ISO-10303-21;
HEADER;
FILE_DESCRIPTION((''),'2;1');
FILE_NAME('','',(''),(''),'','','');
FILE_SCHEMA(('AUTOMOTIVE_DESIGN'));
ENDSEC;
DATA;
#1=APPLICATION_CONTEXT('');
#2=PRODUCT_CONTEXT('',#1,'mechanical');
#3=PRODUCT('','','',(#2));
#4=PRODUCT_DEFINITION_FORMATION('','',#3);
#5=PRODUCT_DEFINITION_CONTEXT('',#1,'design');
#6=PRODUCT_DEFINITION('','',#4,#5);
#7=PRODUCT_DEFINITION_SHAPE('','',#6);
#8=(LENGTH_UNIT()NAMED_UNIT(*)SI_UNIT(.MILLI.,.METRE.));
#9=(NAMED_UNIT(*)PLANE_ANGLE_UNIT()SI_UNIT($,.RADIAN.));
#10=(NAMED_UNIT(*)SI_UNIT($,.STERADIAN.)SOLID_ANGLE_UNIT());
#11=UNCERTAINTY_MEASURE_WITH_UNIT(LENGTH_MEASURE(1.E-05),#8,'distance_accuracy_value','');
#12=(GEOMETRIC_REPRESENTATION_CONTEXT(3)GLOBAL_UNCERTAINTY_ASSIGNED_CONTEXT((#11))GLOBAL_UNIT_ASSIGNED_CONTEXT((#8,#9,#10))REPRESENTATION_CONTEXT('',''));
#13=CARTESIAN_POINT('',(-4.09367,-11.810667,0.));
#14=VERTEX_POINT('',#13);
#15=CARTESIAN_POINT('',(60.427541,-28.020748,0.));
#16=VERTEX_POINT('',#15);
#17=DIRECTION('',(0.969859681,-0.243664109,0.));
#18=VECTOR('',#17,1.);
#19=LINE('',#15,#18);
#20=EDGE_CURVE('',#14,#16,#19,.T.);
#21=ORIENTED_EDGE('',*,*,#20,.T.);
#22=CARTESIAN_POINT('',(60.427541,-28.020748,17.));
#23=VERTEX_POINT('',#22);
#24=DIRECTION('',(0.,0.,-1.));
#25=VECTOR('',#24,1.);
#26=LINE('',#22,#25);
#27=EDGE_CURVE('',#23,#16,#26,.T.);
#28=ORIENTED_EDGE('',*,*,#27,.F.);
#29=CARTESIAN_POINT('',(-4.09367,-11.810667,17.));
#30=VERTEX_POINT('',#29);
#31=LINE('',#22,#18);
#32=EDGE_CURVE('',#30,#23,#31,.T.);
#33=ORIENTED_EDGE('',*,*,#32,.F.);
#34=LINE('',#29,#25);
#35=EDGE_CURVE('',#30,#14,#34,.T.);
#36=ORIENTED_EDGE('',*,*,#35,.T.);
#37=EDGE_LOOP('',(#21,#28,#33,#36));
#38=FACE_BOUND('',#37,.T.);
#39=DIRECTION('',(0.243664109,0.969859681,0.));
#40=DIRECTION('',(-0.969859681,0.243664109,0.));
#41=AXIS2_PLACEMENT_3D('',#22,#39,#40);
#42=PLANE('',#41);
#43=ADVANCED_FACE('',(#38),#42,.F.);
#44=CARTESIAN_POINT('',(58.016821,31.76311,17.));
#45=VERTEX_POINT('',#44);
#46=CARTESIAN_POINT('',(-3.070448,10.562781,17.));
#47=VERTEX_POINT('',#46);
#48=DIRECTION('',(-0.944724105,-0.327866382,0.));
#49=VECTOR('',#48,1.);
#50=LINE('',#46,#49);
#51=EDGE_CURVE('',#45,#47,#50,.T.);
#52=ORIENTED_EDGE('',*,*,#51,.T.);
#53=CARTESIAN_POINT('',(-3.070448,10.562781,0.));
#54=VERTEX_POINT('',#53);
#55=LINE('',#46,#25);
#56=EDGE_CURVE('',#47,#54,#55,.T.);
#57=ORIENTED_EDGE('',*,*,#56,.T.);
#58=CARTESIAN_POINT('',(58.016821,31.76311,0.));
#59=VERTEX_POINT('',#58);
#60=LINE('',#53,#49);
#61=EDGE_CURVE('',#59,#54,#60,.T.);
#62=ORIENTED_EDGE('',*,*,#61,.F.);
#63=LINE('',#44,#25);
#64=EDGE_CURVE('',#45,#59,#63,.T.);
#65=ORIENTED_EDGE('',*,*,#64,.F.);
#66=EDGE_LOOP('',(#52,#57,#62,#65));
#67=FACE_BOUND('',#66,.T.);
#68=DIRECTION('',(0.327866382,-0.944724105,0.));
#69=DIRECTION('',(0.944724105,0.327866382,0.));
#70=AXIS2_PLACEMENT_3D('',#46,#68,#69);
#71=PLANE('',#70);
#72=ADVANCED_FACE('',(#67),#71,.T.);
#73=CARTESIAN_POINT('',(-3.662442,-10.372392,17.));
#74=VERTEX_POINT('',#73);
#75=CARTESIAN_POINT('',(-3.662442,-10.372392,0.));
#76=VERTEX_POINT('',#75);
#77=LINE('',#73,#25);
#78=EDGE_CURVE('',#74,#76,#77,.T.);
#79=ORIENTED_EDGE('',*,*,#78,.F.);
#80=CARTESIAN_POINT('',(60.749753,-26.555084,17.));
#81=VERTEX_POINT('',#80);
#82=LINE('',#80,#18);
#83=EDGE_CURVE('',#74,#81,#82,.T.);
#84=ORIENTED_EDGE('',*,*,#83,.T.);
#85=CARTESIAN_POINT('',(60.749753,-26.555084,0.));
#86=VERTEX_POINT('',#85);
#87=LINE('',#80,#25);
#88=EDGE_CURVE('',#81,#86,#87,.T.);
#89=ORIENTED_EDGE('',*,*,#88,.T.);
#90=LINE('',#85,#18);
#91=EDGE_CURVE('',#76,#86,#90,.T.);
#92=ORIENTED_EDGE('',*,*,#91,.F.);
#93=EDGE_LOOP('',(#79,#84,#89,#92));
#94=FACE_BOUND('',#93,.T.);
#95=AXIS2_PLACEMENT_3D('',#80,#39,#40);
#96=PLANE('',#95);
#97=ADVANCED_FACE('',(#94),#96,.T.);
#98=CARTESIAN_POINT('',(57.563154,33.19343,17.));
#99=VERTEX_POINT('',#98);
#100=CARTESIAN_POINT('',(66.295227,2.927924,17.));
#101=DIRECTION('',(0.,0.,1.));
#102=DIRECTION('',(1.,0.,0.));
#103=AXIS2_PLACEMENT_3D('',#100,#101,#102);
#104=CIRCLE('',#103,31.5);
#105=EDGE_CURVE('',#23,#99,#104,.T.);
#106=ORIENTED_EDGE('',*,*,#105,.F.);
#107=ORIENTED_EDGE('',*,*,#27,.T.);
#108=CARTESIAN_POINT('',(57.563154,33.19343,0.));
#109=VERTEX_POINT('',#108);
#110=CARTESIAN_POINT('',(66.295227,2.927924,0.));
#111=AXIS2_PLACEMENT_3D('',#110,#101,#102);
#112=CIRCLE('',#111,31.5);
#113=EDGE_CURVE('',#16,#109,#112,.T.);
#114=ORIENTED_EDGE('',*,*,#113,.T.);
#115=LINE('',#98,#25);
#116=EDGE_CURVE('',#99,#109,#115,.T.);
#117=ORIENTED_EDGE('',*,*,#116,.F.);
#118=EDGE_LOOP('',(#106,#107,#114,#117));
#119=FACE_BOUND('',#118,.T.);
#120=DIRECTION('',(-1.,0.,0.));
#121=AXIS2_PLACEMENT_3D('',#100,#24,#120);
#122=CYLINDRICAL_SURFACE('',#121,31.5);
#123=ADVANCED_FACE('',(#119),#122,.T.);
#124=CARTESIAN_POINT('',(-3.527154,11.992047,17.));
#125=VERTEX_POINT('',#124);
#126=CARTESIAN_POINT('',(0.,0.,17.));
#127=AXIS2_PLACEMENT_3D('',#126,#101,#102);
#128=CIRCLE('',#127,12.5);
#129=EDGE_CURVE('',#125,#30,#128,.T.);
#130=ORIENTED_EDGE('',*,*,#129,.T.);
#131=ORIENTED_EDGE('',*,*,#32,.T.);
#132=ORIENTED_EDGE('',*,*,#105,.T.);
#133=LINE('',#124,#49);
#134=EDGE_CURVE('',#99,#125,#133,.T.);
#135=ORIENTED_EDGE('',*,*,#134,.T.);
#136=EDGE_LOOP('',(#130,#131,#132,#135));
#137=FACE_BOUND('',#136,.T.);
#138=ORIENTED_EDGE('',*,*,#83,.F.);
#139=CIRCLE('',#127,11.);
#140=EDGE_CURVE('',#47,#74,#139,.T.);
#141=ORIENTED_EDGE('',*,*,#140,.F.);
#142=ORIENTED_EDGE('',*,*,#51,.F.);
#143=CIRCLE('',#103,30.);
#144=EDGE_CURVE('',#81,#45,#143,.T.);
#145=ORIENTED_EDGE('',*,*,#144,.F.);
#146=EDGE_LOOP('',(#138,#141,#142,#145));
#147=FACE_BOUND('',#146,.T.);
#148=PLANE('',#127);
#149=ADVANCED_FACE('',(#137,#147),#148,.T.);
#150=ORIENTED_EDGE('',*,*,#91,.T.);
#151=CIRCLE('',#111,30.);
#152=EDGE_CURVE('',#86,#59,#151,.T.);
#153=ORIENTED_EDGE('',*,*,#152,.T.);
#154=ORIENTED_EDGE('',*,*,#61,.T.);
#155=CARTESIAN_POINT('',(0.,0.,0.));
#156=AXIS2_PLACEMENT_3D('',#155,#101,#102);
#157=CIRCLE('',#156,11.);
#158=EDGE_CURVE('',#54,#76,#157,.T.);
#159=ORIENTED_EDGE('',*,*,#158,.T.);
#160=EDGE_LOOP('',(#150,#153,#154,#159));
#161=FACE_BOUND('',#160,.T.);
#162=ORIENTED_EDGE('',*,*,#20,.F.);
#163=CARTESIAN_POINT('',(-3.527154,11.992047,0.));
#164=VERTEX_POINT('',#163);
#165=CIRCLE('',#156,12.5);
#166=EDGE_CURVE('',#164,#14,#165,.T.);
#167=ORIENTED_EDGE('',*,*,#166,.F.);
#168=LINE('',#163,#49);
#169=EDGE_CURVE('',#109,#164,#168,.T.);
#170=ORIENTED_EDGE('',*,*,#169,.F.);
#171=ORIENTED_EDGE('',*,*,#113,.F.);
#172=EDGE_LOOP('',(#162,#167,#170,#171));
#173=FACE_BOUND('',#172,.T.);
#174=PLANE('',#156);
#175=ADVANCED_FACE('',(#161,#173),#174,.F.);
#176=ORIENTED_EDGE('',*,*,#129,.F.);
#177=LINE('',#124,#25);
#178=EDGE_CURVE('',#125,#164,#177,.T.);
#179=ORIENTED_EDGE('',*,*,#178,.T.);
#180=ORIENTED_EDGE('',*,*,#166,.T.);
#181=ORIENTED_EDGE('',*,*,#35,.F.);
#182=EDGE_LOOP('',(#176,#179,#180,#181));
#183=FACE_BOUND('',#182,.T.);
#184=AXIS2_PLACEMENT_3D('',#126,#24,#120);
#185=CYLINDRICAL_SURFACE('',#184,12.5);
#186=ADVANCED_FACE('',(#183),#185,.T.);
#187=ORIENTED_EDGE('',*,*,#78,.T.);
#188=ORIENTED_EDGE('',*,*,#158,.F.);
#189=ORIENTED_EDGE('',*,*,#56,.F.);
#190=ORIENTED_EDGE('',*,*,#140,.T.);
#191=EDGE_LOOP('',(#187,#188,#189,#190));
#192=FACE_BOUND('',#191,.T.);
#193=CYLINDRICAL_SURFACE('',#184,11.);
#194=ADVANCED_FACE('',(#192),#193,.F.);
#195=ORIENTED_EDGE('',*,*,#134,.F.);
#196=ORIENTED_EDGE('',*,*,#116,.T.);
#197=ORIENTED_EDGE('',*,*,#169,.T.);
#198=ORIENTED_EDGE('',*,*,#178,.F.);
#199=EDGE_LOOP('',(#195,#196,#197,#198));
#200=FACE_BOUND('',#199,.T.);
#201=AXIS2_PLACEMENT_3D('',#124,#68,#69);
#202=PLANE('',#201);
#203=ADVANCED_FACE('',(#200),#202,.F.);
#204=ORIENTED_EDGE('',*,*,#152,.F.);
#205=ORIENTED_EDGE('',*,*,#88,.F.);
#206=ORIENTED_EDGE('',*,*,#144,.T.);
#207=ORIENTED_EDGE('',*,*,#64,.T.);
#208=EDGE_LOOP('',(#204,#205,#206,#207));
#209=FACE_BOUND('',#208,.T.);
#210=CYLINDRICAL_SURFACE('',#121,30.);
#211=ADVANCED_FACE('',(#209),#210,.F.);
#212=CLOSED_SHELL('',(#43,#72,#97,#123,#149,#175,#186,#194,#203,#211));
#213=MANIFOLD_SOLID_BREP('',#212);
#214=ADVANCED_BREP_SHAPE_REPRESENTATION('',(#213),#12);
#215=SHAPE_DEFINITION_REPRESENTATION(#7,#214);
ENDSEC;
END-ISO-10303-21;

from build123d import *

# Parameters (mm, degrees)
BOSS_EXTRUDE1_DEPTH = 17


with BuildPart() as part:
    # Sketch1 → Boss-Extrude1 (new body)
    with BuildSketch(Plane.XY):
        with BuildLine():
            Line((-3.527153581, 11.992046848), (57.563154087, 33.193430447))
            ThreePointArc((57.563154087, 33.193430447), (97.7607975, 4.400287956), (60.427541244, -28.020747929))
            Line((60.427541244, -28.020747929), (-4.093669967, -11.810667475))
            ThreePointArc((-4.093669967, -11.810667475), (-12.496461106, 0.297421962), (-3.527153581, 11.992046848))
        make_face()
        with BuildLine():
            Line((-3.070448196, 10.562781257), (58.016821264, 31.763110445))
            ThreePointArc((58.016821264, 31.763110445), (96.26233961, 4.332254849), (60.7497527, -26.55508371))
            Line((60.7497527, -26.55508371), (-3.662441577, -10.372392284))
            ThreePointArc((-3.662441577, -10.372392284), (-10.995604757, 0.310927694), (-3.070448196, 10.562781257))
        make_face(mode=Mode.SUBTRACT)
    extrude(amount=BOSS_EXTRUDE1_DEPTH)


solid = part.part
